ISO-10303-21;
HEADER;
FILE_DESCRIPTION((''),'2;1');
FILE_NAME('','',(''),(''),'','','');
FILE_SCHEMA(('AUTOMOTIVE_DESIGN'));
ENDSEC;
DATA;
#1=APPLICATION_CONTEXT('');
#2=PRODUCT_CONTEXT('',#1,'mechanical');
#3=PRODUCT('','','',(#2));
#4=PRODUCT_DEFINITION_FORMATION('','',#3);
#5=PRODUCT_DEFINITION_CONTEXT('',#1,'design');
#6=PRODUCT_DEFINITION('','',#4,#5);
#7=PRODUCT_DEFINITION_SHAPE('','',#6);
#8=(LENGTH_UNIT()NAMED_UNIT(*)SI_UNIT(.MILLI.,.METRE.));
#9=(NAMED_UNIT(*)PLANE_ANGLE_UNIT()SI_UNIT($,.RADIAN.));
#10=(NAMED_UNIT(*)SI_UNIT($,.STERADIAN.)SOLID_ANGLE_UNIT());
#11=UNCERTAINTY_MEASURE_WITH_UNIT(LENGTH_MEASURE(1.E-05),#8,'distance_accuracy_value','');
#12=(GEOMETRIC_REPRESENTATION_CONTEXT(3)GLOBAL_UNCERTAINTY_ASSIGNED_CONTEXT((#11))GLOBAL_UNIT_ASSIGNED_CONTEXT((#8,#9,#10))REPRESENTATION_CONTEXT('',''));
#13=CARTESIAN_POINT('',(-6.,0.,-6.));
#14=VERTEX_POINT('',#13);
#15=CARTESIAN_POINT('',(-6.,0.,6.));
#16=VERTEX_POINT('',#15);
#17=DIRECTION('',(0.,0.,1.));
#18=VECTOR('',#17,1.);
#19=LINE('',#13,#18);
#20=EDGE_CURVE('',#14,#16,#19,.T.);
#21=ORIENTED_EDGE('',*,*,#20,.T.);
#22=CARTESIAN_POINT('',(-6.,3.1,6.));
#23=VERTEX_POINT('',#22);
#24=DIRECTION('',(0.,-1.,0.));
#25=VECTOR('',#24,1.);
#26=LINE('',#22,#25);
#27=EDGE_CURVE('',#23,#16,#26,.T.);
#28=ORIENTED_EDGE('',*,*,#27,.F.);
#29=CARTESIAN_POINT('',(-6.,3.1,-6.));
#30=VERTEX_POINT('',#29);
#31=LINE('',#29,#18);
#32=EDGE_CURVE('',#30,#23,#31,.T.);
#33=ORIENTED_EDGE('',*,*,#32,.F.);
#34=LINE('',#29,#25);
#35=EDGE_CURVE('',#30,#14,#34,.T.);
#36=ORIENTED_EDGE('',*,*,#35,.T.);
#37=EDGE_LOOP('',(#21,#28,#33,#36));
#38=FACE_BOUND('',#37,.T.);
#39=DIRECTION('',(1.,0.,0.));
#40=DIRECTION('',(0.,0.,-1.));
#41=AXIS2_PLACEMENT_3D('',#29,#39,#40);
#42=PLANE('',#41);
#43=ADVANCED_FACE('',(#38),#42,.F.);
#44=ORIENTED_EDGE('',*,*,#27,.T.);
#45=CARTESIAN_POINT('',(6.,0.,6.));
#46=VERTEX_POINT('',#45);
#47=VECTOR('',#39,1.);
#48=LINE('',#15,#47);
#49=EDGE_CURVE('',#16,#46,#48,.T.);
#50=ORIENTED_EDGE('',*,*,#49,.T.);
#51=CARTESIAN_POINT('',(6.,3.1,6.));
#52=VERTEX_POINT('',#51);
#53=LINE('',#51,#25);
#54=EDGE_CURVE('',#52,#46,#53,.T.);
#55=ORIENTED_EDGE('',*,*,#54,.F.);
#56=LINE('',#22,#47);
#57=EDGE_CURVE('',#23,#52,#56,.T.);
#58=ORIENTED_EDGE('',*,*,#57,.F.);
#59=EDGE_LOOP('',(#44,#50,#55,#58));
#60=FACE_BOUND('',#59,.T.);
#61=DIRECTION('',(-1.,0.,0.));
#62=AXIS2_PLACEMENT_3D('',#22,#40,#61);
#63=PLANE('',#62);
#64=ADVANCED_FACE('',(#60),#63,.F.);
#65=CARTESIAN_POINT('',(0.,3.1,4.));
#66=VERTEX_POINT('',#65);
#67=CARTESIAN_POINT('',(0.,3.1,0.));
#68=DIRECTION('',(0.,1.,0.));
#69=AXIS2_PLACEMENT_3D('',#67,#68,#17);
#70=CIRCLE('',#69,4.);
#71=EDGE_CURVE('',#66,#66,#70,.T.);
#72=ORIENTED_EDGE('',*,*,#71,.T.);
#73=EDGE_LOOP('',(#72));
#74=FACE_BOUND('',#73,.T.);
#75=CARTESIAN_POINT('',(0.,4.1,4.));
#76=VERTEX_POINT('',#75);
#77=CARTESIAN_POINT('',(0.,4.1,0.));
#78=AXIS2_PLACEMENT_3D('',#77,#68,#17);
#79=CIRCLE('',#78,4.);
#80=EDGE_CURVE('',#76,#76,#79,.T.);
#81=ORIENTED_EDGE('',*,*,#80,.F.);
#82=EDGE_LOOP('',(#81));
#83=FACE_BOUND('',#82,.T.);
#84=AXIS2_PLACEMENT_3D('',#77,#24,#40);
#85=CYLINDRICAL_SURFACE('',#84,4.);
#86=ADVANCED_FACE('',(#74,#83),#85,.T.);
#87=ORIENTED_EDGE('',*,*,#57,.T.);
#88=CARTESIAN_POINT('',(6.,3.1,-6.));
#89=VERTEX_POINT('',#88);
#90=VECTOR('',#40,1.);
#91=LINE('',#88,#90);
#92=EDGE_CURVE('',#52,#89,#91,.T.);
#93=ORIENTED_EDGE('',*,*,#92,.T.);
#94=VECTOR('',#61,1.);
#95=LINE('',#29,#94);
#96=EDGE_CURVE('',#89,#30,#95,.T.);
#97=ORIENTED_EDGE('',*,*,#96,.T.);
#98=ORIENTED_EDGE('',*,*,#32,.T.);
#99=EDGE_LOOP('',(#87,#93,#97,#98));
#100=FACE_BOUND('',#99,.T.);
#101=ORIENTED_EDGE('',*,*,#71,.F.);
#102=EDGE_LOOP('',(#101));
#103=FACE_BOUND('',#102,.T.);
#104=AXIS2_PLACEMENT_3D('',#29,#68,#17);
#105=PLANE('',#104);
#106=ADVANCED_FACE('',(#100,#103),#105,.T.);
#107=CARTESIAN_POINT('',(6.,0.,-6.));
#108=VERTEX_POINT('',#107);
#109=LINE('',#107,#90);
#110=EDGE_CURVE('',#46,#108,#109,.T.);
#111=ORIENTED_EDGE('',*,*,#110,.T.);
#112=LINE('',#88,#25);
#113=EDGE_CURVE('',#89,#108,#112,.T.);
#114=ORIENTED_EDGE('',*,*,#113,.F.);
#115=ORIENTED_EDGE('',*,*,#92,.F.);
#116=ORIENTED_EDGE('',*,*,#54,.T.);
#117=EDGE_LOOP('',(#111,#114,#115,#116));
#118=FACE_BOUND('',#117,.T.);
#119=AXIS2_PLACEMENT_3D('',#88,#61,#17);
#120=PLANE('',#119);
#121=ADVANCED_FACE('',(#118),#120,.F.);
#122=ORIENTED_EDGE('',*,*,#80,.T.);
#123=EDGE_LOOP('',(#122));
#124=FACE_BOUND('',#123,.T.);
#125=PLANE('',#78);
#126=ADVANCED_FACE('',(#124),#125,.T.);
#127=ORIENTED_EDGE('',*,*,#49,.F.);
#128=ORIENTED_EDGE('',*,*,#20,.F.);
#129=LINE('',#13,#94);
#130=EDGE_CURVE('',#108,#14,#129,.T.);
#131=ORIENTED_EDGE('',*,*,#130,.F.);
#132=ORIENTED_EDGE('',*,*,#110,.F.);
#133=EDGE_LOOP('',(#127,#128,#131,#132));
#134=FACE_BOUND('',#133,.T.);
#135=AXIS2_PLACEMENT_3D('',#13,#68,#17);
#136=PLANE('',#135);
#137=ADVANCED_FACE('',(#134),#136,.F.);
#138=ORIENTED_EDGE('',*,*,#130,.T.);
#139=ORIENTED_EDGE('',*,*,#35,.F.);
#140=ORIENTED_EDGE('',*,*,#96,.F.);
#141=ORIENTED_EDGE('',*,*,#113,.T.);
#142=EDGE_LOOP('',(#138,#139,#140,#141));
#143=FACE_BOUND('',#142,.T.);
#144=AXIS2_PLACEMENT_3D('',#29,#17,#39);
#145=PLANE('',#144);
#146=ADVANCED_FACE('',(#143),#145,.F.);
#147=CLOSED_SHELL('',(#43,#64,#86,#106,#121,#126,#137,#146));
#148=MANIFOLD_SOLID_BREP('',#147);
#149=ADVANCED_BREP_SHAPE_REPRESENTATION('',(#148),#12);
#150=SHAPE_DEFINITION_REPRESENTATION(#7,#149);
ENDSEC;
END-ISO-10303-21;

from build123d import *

# Parameters (mm, degrees)
SKETCH_1_W      = 12
SKETCH_1_H      = 12
EXTRUDE_1_DEPTH = 3.1
SKETCH_2_R      = 4
EXTRUDE_2_DEPTH = 1


with BuildPart() as part:
    # 草图1 → 拉伸1 (new body)
    with BuildSketch(Plane(origin=(0, 0, 0), x_dir=(1, 0, 0), z_dir=(0, 1, 0))):
        Rectangle(SKETCH_1_W, SKETCH_1_H)
    extrude(amount=EXTRUDE_1_DEPTH)

    # 草图2 → 拉伸2 (add)
    with BuildSketch(Plane(origin=(0, 3.1, 0), x_dir=(-1, 0, 0), z_dir=(0, 1, 0))):
        with Locations(Location((0, 0, 0), (0, 0, 90))):
            Circle(SKETCH_2_R)
    extrude(amount=EXTRUDE_2_DEPTH)


solid = part.part
